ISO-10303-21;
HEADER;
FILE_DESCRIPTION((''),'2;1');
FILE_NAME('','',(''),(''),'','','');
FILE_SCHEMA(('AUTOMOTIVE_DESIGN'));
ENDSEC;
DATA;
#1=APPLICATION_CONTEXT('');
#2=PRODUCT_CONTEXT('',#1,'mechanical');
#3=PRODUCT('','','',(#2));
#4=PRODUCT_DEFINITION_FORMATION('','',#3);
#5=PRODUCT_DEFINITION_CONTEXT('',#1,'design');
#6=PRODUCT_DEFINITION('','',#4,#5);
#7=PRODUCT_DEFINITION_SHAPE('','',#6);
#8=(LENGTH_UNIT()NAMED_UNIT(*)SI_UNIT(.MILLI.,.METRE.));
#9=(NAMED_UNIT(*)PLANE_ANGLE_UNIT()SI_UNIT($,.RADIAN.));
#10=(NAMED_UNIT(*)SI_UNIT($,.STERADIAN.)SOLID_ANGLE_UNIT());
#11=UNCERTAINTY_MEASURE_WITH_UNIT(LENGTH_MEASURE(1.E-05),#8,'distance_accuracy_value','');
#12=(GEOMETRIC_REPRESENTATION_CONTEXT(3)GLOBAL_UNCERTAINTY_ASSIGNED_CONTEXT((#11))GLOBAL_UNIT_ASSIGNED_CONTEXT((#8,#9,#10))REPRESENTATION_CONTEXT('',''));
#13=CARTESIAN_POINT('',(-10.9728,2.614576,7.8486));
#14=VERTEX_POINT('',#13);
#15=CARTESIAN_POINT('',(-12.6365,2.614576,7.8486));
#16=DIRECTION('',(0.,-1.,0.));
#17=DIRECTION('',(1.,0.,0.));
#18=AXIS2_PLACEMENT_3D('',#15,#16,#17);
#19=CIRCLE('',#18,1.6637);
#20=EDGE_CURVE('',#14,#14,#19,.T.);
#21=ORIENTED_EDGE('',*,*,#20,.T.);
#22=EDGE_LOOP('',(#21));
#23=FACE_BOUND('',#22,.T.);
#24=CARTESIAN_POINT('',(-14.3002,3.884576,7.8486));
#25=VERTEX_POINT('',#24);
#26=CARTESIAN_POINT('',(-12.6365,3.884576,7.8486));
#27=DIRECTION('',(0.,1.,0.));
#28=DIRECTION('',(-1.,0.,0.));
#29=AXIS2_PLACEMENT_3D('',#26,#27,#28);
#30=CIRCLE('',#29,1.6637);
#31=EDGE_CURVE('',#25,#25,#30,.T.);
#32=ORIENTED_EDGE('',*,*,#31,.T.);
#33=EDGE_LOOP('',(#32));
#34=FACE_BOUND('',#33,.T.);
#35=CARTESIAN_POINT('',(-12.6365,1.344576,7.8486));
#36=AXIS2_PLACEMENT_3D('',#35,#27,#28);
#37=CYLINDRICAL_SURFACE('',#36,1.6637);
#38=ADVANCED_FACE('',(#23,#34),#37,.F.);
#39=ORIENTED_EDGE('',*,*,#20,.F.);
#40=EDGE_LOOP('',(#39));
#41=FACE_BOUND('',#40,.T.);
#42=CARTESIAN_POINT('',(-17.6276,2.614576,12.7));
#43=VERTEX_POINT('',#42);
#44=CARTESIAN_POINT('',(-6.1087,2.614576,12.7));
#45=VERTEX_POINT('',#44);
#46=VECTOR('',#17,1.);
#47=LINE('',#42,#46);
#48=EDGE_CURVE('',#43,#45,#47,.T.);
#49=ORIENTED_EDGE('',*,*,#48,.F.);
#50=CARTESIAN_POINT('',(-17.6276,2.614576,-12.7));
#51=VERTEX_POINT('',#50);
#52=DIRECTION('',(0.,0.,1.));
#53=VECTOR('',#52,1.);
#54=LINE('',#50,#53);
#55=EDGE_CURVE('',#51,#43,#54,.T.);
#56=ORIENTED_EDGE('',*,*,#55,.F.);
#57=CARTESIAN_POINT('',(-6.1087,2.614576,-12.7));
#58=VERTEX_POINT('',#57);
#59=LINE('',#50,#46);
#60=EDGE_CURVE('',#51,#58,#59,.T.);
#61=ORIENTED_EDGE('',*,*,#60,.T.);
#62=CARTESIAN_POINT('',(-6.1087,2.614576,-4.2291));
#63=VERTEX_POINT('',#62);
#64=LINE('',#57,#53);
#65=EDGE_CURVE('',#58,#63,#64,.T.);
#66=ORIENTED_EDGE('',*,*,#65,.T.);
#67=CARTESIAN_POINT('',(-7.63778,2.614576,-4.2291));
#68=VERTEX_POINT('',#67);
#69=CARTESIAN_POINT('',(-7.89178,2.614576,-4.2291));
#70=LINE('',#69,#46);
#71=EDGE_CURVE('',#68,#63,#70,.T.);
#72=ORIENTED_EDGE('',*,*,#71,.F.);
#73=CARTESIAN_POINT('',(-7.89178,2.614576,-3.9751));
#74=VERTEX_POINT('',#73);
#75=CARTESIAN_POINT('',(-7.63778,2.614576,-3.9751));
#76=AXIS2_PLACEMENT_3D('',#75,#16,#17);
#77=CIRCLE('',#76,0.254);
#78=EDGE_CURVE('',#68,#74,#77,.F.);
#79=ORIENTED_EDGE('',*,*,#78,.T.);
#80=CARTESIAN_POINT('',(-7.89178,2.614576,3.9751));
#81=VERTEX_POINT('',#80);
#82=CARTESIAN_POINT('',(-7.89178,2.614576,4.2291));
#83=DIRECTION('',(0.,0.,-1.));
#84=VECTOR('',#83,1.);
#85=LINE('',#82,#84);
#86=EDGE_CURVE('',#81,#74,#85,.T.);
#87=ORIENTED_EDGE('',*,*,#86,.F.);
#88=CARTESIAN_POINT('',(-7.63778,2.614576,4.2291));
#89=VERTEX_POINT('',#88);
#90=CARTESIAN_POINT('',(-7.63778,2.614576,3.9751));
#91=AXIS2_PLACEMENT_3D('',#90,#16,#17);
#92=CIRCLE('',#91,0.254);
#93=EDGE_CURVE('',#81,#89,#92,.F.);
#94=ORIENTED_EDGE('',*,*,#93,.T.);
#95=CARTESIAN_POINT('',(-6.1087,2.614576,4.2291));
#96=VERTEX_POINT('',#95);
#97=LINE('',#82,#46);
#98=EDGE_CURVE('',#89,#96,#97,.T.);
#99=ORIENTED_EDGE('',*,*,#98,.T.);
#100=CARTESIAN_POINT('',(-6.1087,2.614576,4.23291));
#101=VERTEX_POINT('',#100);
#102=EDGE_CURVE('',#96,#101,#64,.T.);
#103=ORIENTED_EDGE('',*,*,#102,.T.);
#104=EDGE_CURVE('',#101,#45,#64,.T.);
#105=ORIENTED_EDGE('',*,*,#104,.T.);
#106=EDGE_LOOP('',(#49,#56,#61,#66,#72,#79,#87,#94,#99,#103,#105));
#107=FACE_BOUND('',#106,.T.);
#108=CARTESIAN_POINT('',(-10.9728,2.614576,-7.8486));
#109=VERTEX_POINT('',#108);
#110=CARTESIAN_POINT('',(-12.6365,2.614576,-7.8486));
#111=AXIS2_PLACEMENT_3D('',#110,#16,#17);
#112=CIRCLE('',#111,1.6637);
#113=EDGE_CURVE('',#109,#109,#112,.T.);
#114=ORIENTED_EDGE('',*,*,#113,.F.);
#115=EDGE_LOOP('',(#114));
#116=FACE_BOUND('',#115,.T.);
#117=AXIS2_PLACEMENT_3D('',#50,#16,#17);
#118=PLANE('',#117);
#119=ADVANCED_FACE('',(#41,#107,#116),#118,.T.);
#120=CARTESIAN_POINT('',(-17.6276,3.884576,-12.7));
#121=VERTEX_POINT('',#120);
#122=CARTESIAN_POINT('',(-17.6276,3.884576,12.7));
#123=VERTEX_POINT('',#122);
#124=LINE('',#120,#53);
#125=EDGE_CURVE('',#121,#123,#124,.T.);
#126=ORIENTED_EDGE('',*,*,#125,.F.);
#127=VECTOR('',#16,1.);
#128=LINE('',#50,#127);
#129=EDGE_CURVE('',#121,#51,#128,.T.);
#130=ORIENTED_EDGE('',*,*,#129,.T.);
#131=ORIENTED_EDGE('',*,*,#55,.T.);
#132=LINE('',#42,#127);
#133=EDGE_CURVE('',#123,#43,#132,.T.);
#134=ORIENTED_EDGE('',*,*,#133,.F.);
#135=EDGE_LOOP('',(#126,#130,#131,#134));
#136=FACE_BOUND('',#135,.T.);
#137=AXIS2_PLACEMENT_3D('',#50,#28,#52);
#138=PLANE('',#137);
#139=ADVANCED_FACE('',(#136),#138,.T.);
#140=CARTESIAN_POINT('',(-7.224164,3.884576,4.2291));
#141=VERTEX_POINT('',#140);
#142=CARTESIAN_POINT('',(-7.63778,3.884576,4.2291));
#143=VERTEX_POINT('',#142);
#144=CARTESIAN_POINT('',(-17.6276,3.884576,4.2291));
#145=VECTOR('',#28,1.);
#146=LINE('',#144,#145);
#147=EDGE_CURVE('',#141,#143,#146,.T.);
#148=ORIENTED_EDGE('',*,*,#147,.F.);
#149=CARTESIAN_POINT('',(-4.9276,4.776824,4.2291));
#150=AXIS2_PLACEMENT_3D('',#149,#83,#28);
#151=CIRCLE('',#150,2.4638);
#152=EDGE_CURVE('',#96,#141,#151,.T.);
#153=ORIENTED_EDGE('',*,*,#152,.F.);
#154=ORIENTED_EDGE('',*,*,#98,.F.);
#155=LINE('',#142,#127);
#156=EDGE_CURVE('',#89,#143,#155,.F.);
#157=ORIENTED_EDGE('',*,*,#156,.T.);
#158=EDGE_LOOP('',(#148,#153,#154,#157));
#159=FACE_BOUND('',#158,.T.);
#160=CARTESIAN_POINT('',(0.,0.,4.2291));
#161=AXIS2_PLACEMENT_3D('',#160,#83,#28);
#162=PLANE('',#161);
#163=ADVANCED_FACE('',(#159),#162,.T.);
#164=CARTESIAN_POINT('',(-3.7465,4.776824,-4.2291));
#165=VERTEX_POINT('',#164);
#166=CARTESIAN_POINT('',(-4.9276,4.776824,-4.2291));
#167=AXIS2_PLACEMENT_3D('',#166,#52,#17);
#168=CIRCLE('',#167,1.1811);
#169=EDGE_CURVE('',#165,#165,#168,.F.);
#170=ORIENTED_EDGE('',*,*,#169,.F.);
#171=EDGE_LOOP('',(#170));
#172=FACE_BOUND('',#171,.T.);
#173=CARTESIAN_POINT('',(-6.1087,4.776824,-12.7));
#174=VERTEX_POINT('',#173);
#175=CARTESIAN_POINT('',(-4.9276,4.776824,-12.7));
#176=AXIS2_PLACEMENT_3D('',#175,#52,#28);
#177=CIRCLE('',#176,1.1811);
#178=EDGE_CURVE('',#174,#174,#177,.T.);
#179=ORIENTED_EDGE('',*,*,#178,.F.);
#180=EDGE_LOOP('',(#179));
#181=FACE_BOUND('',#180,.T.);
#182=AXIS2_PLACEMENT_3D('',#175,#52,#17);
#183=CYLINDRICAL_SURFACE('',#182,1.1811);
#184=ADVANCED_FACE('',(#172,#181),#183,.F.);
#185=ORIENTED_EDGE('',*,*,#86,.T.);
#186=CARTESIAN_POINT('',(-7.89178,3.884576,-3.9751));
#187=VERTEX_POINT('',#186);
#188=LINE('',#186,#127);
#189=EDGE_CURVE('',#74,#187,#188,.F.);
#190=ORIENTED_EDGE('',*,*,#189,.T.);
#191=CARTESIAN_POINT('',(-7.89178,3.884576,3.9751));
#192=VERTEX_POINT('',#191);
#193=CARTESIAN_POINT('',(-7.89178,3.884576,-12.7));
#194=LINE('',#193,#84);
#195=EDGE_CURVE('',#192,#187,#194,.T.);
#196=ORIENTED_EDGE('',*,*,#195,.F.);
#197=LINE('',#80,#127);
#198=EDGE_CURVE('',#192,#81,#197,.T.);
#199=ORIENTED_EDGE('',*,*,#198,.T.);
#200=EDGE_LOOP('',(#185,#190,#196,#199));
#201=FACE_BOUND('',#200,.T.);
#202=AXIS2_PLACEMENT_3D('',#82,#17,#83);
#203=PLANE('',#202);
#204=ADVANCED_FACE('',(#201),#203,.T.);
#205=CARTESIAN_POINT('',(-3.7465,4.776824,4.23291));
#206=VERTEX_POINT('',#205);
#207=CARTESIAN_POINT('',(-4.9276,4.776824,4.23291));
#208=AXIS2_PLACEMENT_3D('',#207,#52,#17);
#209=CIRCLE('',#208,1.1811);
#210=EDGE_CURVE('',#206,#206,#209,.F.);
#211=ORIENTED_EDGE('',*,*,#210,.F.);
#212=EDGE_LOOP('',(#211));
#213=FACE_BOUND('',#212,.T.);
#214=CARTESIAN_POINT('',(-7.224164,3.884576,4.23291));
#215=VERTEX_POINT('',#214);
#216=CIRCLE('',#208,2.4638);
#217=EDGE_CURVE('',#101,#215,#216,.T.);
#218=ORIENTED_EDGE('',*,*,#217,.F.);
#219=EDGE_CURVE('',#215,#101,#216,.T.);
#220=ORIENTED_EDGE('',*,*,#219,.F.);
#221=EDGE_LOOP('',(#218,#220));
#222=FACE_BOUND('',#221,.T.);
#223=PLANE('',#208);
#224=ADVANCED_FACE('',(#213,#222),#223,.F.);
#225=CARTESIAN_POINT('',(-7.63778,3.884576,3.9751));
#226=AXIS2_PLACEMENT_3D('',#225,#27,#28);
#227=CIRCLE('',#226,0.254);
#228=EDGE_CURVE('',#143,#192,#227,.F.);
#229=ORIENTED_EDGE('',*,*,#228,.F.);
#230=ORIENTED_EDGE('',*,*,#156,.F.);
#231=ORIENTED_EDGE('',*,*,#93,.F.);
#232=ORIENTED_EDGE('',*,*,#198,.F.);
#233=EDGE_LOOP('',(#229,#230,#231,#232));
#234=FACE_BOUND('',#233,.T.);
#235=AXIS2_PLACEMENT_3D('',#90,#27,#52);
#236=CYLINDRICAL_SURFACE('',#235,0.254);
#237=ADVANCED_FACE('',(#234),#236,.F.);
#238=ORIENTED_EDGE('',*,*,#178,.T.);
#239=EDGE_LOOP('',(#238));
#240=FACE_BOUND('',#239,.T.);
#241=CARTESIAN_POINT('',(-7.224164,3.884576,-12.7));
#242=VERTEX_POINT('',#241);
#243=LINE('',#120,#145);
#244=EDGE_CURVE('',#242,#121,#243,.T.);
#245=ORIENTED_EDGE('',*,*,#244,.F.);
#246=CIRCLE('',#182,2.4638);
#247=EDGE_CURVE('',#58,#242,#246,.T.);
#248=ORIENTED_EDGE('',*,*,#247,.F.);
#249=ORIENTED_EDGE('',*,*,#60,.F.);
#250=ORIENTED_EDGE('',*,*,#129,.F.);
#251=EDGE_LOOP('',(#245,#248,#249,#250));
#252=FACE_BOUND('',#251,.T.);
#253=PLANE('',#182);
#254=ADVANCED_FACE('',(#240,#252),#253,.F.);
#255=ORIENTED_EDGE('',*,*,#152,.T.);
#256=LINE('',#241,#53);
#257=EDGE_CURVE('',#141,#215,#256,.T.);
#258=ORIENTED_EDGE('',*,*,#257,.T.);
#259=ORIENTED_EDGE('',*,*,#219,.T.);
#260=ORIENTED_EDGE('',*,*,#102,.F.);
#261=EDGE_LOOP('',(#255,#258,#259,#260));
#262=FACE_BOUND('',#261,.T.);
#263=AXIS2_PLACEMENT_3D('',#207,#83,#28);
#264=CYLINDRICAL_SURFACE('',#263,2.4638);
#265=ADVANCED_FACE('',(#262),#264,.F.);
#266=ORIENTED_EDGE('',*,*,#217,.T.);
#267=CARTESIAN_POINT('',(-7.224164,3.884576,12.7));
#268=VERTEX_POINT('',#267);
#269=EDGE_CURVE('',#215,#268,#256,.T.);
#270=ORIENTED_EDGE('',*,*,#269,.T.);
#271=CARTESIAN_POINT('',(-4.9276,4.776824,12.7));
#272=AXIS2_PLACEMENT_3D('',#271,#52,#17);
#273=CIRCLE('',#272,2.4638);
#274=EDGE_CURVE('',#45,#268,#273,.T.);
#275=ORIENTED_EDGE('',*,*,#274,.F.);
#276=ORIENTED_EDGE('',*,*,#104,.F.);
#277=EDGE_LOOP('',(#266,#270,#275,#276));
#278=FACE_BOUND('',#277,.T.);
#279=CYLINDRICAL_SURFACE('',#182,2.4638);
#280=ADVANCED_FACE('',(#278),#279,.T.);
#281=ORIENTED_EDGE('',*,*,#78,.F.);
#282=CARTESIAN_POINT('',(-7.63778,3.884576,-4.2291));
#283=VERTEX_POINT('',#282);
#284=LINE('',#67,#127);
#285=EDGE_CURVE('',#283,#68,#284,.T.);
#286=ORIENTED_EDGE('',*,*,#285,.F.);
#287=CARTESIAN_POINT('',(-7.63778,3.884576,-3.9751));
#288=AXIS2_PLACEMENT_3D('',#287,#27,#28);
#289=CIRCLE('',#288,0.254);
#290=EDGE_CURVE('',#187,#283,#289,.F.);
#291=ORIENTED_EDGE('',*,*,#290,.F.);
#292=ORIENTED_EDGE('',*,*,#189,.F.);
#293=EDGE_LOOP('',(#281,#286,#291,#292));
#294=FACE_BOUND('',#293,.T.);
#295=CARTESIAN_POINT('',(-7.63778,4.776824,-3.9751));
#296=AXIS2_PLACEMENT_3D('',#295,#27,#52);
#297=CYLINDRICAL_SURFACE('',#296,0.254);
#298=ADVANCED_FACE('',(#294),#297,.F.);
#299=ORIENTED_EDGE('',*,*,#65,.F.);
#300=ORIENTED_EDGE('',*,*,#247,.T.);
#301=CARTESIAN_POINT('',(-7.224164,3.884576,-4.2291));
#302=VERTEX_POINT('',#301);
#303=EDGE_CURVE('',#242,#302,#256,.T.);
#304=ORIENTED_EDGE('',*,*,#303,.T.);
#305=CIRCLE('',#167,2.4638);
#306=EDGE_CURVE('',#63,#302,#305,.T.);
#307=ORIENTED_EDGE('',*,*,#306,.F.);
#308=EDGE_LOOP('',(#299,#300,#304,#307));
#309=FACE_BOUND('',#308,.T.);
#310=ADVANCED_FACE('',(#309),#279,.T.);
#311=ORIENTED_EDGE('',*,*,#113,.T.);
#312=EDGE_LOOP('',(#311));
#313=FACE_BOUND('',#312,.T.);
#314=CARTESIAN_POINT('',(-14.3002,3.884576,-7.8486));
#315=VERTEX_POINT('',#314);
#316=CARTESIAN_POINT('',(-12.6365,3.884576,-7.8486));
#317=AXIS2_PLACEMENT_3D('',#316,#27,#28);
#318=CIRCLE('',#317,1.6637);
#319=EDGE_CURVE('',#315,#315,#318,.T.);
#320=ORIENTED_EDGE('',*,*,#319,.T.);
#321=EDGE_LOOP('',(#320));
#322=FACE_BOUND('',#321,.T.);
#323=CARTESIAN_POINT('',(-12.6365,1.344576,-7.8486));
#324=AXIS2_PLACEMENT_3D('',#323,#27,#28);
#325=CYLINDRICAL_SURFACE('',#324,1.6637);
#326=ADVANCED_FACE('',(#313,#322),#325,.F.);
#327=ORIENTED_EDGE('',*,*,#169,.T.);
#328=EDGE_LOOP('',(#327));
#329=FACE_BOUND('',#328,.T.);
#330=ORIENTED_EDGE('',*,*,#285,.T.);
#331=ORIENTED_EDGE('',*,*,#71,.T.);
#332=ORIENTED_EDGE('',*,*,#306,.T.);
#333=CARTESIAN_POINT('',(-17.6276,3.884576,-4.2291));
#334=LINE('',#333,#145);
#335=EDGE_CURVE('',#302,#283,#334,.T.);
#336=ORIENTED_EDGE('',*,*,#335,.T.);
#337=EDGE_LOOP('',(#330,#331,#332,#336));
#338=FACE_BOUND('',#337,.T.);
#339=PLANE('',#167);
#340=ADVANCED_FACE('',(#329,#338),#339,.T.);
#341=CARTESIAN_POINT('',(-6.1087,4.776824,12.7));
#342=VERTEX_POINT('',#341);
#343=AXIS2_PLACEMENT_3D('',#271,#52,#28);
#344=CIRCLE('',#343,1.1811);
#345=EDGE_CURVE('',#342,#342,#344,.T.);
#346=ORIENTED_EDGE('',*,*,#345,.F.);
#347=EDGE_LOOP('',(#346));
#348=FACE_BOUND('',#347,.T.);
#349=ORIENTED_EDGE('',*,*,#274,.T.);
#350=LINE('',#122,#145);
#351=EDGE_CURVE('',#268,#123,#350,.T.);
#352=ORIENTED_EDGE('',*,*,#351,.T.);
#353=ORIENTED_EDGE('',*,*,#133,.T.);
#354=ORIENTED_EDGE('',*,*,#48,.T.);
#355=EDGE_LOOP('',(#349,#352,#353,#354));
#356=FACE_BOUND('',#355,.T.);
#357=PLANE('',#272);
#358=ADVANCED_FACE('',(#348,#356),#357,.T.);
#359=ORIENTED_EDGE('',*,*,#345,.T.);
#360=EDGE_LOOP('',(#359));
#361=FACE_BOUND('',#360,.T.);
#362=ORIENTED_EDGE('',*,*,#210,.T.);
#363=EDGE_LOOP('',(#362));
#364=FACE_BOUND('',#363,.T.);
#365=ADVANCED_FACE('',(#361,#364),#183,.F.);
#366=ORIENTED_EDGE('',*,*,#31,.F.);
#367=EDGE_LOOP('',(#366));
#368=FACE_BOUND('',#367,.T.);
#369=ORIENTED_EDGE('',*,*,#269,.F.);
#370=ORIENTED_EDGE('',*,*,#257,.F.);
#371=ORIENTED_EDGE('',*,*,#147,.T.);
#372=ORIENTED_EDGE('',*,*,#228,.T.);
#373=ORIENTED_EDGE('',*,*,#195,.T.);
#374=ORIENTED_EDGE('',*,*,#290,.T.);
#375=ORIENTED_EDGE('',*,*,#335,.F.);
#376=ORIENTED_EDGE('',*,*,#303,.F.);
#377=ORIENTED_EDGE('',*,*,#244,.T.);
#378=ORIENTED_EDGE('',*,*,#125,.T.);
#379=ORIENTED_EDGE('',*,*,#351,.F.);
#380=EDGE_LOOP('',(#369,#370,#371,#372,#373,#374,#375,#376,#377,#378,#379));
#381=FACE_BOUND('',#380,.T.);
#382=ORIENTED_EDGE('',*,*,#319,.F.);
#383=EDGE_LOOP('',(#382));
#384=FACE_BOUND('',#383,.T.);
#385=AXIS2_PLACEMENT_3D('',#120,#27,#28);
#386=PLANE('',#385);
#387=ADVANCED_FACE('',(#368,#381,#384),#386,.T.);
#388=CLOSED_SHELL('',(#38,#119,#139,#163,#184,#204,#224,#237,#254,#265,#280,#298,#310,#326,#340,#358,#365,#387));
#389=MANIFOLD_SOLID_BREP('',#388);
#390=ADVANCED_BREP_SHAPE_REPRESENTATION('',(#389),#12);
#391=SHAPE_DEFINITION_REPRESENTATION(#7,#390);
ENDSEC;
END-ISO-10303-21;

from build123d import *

# Parameters (mm, degrees)
BOSS_EXTRUDE1_DEPTH      = 12.7
BOSS_EXTRUDE1_DEPTH_BACK = 12.7
SKETCH2_R                = 1.1811
CUT_EXTRUDE1_DEPTH       = 4.23291
CUT_EXTRUDE1_DEPTH_BACK  = 4.2291
SKETCH3_R                = 2.4638
CUT_EXTRUDE2_DEPTH       = 4.2291
CUT_EXTRUDE2_DEPTH_BACK  = 4.2291
SKETCH4_W                = 2.905794066
SKETCH4_H                = 2.259273031
FILLET2_R                = 0.254
FILLET3_R                = 0.254
SKETCH5_R                = 1.6637
CUT_EXTRUDE3_DEPTH       = 2.54


with BuildPart() as part:
    # Sketch2 → Boss-Extrude1 (new, two sides: drawn at the far end of the back side and taken through both)
    with BuildSketch(Plane.XY.offset(-BOSS_EXTRUDE1_DEPTH_BACK)):
        with BuildLine():
            Line((-17.6276, 2.614576368), (-17.6276, 3.884576368))
            Line((-17.6276, 3.884576368), (-7.224163794, 3.884576368))
            ThreePointArc((-7.224163794, 3.884576368), (-3.076448638, 6.402723098), (-6.1087, 2.614576368))
            Line((-6.1087, 2.614576368), (-17.6276, 2.614576368))
        make_face()
        with Locations((-4.9276, 4.776823632)):
            Circle(SKETCH2_R, mode=Mode.SUBTRACT)
    extrude(amount=BOSS_EXTRUDE1_DEPTH + BOSS_EXTRUDE1_DEPTH_BACK)

    # Sketch3 → Cut-Extrude1 (cut, two sides: drawn at the far end of the back side and taken through both)
    with BuildSketch(Plane.XY.offset(-CUT_EXTRUDE1_DEPTH_BACK)):
        with Locations((-4.9276, 4.776823632)):
            Circle(SKETCH3_R)
    extrude(amount=CUT_EXTRUDE1_DEPTH + CUT_EXTRUDE1_DEPTH_BACK, mode=Mode.SUBTRACT)

    # Sketch4 → Cut-Extrude2 (cut, two sides: drawn at the far end of the back side and taken through both)
    with BuildSketch(Plane.XY.offset(-CUT_EXTRUDE2_DEPTH_BACK)):
        with Locations((-6.438882967, 3.744212884)):
            Rectangle(SKETCH4_W, SKETCH4_H)
    extrude(amount=CUT_EXTRUDE2_DEPTH + CUT_EXTRUDE2_DEPTH_BACK, mode=Mode.SUBTRACT)

    # Fillet2
    fillet2_edges = [part.edges().sort_by_distance(p)[0] for p in [
        (-7.89178, 3.249576368, -4.2291),
    ]]
    fillet(fillet2_edges, radius=FILLET2_R)

    # Fillet3
    fillet3_edges = [part.edges().sort_by_distance(p)[0] for p in [
        (-7.89178, 3.249576368, 4.2291),
    ]]
    fillet(fillet3_edges, radius=FILLET3_R)

    # Sketch5 → Cut-Extrude3 (cut)
    with BuildSketch(Plane(origin=(0, 3.884576368, 0), x_dir=(1, 0, 0), z_dir=(0, 1, 0))):
        with Locations((-12.6365, 7.8486)):
            Circle(SKETCH5_R)
        with Locations((-12.6365, -7.8486)):
            Circle(SKETCH5_R)
    extrude(amount=-CUT_EXTRUDE3_DEPTH, mode=Mode.SUBTRACT)


solid = part.part
